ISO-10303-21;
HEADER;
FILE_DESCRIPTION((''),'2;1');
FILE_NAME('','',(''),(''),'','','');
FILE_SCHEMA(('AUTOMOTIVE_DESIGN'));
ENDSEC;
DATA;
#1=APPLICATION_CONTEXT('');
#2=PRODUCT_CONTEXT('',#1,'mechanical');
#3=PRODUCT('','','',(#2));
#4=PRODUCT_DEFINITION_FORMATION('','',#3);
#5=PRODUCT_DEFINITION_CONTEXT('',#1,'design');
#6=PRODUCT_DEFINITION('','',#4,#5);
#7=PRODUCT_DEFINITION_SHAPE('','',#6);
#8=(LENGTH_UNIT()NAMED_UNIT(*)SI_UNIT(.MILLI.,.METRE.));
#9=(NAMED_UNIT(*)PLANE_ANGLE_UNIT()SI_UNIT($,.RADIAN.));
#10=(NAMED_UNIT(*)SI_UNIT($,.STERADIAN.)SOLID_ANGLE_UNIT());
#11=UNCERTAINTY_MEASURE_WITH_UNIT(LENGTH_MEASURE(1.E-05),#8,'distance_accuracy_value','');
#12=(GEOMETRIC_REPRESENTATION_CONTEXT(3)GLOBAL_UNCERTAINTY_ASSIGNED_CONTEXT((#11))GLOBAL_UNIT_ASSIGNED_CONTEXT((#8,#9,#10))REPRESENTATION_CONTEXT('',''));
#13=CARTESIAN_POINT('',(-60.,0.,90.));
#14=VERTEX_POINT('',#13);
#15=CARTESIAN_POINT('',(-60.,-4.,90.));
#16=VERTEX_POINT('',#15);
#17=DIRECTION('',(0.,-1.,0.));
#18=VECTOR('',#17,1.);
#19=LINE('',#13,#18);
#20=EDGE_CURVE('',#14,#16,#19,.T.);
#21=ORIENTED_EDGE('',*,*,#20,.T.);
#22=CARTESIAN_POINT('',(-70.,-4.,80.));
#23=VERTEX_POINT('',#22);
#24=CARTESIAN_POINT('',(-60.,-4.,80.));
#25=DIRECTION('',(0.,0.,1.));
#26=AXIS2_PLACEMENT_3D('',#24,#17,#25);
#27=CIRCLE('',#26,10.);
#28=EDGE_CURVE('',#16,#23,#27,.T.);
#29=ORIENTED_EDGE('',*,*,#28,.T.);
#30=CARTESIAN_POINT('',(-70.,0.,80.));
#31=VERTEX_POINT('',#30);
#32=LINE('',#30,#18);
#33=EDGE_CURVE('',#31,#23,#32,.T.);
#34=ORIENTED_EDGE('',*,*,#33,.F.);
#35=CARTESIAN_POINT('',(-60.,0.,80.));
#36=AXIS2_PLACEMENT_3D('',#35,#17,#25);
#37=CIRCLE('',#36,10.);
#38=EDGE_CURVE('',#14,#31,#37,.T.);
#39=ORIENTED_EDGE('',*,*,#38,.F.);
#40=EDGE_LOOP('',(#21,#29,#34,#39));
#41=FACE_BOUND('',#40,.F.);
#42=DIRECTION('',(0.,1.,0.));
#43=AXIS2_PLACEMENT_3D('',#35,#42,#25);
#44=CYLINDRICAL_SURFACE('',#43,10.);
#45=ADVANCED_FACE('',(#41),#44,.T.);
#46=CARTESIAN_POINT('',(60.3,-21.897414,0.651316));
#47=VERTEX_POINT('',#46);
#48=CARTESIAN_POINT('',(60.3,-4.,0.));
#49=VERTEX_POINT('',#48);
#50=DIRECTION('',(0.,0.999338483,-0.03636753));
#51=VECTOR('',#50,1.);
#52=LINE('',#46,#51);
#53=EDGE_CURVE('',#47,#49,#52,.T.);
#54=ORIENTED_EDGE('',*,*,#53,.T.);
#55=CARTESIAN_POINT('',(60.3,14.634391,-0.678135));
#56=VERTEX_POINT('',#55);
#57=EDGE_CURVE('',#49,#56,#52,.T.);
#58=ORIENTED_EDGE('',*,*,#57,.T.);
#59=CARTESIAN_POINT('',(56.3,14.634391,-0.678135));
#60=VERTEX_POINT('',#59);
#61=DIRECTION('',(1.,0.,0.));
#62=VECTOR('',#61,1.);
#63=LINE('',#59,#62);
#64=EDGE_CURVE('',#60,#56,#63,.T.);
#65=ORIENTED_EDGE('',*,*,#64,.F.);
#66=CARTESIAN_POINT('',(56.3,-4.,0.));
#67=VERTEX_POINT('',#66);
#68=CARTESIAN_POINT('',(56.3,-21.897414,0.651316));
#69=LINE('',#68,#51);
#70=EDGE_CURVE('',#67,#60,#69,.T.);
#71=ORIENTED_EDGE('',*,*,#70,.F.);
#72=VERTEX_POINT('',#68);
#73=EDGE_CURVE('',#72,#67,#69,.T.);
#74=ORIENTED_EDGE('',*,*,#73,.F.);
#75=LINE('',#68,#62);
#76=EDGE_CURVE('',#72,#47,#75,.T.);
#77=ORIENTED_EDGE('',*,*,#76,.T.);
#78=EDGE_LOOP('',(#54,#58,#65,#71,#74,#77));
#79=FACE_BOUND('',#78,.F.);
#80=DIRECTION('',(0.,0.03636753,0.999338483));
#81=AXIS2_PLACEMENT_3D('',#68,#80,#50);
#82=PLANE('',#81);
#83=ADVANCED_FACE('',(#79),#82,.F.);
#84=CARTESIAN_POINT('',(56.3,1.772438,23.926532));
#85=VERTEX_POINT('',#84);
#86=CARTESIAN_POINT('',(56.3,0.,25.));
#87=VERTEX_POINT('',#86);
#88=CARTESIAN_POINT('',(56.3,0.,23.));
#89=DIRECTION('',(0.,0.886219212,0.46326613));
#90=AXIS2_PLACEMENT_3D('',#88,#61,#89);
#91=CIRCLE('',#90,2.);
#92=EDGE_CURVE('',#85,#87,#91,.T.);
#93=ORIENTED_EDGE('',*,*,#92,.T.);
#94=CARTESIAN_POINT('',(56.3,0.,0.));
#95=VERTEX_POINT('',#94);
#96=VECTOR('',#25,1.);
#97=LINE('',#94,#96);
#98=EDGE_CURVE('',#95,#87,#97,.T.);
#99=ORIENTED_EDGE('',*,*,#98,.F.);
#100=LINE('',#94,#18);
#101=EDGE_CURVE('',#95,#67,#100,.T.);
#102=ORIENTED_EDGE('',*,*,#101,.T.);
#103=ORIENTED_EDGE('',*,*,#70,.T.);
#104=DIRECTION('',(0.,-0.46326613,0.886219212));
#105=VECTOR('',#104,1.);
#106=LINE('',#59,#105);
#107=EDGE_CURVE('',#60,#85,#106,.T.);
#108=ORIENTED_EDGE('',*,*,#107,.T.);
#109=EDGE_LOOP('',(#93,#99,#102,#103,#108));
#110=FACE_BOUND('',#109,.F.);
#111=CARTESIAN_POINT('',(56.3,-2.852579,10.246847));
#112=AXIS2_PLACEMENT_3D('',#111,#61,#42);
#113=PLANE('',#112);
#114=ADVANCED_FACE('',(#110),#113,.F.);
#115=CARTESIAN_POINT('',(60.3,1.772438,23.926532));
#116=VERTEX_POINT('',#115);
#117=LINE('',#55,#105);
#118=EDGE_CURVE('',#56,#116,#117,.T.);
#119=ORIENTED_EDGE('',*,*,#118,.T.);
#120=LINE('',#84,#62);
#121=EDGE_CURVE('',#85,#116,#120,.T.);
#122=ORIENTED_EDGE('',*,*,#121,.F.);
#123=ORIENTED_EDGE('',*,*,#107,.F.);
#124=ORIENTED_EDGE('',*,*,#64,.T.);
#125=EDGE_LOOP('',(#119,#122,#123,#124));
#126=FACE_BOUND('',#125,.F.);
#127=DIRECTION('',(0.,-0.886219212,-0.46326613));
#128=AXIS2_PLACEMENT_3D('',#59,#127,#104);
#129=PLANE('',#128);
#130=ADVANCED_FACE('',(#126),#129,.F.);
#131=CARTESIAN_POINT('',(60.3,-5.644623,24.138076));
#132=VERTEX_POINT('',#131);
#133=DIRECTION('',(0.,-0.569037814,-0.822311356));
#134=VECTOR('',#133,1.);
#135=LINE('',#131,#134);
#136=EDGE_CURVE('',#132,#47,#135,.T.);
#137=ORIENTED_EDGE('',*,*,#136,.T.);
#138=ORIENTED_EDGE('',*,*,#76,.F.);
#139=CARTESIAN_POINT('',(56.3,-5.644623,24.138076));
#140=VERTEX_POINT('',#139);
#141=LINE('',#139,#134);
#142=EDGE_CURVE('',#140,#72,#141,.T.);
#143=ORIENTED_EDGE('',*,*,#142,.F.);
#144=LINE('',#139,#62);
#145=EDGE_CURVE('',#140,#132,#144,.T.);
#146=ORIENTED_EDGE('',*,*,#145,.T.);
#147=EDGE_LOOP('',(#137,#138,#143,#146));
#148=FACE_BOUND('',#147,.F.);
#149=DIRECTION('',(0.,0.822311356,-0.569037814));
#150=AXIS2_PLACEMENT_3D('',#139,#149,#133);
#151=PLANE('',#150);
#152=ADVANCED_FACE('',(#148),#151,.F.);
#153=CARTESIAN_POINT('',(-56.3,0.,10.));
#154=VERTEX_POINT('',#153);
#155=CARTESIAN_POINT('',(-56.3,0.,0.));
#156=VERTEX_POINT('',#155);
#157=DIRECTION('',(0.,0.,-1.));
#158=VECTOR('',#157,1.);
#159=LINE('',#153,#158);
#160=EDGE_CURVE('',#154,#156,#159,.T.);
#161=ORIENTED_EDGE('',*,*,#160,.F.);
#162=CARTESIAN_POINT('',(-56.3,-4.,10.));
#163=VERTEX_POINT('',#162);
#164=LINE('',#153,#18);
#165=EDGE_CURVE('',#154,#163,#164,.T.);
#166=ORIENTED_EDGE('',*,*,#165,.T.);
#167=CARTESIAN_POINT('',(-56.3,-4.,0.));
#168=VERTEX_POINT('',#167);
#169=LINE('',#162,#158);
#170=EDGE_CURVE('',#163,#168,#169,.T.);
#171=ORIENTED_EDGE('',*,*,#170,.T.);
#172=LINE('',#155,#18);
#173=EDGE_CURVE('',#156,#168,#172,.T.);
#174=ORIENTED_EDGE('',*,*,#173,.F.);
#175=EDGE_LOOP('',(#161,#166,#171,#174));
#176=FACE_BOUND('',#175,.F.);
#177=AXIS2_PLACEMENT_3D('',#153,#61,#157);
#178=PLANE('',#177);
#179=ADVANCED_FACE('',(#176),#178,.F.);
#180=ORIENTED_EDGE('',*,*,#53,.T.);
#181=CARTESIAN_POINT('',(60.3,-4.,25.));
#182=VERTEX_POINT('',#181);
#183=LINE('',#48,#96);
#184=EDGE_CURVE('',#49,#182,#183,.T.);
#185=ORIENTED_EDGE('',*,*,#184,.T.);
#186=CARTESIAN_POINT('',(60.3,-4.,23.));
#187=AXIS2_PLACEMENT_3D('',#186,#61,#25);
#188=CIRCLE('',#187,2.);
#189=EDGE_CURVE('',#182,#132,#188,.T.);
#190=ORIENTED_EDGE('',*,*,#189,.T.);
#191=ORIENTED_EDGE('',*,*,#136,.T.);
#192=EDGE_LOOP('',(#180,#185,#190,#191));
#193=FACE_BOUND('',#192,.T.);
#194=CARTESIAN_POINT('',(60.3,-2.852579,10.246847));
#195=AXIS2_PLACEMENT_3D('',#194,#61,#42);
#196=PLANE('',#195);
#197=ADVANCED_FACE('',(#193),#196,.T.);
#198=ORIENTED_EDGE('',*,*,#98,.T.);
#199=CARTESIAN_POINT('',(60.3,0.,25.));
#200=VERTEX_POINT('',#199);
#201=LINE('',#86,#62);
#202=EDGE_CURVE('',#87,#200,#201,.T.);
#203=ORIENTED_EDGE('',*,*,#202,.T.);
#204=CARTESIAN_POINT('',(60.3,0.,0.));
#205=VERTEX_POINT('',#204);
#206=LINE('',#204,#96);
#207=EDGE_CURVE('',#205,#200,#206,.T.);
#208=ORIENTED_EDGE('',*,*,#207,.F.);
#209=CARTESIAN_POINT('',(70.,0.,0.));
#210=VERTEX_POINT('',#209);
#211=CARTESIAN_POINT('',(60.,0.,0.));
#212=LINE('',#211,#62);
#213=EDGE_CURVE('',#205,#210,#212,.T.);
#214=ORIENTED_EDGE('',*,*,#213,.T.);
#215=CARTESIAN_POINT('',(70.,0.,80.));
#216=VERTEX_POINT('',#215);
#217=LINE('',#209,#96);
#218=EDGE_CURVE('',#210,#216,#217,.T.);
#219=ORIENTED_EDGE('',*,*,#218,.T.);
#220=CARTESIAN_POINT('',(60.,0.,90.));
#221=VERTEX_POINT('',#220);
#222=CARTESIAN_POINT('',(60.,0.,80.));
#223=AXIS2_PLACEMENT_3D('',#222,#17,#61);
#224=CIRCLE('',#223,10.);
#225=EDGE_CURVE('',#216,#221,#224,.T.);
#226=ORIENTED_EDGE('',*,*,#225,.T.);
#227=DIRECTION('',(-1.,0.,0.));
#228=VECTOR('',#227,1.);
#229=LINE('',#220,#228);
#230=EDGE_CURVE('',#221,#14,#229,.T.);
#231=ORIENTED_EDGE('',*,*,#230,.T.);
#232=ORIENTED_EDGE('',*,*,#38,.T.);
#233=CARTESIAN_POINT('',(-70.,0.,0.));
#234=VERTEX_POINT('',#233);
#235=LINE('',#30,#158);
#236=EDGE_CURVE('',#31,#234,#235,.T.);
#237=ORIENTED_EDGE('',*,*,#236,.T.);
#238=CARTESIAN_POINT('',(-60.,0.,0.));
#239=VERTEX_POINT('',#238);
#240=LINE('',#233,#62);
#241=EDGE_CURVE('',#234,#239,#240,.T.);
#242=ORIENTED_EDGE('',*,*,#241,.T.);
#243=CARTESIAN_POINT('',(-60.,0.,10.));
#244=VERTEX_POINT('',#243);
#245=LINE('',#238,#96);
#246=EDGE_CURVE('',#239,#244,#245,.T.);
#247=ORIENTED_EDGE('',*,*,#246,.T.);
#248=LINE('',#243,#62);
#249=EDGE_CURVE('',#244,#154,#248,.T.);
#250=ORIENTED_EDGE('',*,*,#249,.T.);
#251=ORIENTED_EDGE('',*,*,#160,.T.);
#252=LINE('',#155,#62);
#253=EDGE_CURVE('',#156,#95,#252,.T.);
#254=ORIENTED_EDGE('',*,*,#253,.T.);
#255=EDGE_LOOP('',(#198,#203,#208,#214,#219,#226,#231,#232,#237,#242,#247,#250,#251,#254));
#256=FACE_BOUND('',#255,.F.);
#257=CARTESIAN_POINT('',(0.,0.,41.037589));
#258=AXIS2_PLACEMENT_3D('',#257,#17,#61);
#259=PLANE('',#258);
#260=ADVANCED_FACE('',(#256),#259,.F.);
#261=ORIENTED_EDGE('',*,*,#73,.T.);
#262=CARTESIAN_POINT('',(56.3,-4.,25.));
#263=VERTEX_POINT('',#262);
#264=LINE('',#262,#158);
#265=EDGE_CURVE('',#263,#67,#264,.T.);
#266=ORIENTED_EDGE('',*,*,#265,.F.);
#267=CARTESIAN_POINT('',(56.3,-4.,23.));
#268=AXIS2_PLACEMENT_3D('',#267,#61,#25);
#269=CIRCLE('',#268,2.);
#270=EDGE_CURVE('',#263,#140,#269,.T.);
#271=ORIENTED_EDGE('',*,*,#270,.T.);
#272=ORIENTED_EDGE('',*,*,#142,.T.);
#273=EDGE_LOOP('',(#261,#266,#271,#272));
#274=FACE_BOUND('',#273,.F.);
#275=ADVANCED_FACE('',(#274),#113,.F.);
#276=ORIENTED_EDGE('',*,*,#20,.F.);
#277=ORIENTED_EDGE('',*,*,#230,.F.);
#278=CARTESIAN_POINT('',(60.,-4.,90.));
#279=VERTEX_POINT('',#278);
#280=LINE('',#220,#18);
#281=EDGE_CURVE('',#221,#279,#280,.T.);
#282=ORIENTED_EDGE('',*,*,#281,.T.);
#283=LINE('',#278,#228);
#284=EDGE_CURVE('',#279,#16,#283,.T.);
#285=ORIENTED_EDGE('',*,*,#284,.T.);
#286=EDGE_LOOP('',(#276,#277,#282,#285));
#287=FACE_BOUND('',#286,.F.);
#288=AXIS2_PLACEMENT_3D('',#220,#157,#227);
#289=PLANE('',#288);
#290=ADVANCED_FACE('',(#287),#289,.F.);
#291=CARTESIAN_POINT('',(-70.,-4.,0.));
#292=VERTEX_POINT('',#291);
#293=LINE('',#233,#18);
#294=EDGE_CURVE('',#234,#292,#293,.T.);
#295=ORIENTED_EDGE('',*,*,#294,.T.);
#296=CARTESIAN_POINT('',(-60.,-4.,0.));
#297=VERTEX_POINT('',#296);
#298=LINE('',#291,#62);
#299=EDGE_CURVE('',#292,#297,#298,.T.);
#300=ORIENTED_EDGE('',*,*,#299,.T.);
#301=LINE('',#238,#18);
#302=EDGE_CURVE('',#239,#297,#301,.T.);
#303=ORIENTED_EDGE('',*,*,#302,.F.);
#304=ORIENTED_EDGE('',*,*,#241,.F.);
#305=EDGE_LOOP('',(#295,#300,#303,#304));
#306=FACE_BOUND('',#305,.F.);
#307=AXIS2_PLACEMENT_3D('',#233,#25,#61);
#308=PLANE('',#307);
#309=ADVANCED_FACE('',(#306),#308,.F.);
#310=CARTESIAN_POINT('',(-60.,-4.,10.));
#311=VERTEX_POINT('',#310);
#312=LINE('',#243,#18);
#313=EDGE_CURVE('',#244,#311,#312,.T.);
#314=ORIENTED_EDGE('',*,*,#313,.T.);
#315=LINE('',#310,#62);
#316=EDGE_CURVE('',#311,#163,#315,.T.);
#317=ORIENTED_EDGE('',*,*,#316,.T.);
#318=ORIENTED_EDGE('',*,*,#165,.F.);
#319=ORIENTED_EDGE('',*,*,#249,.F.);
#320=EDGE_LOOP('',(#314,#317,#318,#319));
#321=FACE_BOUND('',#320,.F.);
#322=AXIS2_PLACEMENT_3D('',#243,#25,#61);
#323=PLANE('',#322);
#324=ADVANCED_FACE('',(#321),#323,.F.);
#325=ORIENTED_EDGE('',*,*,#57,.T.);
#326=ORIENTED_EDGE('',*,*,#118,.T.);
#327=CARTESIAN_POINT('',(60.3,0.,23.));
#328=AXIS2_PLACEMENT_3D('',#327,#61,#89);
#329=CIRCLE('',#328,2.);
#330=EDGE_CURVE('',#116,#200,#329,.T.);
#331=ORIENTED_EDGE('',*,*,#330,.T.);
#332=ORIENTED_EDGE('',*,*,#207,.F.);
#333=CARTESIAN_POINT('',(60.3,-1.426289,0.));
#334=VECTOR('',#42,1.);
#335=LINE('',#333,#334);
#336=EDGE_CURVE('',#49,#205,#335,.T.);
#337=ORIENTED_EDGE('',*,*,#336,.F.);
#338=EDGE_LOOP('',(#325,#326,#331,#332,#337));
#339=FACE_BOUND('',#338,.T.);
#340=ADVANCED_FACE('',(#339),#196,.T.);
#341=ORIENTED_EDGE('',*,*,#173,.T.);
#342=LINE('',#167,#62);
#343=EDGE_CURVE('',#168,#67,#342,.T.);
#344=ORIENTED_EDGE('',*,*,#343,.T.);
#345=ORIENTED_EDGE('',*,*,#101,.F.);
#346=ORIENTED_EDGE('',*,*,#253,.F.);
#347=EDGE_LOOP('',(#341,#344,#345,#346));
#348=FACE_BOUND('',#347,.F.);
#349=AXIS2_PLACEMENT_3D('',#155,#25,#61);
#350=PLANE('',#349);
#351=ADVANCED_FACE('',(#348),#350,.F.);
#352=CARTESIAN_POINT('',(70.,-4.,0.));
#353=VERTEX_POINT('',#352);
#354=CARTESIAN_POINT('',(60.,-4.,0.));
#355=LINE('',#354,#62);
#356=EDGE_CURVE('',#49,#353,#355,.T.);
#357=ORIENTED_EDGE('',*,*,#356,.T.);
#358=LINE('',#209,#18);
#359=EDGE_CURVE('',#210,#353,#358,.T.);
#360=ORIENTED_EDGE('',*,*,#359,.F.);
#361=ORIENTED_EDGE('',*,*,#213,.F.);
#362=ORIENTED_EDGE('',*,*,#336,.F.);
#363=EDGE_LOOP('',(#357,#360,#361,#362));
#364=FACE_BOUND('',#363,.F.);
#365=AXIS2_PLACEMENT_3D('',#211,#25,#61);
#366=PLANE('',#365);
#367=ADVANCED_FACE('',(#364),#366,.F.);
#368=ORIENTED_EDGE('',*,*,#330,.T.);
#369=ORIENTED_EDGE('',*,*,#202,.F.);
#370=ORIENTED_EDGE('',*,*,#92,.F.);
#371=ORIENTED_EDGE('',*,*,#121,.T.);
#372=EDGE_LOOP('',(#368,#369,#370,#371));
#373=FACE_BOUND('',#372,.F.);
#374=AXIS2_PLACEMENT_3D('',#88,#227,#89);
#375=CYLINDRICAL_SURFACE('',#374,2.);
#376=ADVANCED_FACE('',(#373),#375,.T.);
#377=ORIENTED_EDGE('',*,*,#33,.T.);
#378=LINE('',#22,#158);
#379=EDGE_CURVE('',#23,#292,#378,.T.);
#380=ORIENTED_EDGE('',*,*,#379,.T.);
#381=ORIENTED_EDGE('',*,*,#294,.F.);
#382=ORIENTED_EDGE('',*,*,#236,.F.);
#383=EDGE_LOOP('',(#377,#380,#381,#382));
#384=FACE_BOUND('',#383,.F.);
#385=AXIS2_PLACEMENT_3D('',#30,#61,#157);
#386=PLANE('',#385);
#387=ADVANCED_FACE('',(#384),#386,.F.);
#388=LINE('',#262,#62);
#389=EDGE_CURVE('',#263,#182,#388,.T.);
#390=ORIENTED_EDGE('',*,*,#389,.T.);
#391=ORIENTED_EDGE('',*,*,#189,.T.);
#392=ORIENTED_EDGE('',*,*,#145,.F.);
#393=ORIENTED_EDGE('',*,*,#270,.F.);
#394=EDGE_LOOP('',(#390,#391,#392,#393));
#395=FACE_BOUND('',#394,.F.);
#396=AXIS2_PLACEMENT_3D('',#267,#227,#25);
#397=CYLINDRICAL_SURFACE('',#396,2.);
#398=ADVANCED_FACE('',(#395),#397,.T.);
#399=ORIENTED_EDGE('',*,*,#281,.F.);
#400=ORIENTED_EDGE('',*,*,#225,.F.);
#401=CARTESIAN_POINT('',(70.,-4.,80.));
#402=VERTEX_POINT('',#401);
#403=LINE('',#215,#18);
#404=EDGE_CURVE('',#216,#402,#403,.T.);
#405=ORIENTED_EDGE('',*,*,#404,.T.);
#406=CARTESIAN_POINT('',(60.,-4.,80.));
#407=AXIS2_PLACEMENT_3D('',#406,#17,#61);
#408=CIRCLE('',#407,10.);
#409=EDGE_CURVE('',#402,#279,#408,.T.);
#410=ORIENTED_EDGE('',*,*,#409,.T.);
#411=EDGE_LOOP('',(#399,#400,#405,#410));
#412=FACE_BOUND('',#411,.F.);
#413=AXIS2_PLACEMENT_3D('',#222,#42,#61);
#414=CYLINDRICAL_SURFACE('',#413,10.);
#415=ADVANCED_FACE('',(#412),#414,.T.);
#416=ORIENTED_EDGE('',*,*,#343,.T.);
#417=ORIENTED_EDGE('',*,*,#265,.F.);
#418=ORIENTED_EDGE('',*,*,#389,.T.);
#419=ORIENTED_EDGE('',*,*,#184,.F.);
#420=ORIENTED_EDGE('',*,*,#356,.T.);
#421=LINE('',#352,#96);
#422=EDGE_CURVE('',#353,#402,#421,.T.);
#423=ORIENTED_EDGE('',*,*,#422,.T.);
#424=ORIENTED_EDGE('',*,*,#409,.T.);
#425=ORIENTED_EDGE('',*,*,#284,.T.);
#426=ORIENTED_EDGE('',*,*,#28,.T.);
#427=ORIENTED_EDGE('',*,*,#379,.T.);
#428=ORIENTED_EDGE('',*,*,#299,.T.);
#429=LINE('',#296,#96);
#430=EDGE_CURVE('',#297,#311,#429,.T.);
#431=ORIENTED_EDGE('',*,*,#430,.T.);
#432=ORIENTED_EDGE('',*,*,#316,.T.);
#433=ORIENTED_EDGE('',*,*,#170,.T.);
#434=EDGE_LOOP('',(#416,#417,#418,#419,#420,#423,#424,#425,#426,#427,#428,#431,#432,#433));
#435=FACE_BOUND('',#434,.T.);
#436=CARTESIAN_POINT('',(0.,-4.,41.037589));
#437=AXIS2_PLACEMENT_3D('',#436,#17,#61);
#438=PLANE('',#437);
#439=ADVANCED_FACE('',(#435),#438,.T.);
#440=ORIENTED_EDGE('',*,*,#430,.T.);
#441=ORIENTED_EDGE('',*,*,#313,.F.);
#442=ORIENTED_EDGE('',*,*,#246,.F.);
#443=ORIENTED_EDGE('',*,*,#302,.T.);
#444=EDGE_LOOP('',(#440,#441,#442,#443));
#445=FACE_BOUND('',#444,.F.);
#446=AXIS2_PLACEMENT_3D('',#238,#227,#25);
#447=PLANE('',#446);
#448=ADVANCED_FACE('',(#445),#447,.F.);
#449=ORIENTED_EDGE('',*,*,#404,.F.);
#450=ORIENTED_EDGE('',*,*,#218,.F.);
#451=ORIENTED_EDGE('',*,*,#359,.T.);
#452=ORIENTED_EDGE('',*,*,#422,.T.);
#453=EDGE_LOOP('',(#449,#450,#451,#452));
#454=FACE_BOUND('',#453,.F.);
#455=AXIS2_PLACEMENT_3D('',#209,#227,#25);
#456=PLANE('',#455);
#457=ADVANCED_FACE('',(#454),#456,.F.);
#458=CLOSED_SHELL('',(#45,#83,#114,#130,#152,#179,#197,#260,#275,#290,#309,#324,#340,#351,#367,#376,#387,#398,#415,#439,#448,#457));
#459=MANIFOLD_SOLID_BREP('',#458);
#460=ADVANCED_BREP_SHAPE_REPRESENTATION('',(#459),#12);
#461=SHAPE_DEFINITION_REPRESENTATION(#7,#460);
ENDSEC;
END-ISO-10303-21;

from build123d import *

# Parameters (mm, degrees)
F1_DEPTH = 4
F3_DEPTH = 4


with BuildPart() as f1:
    # F0 (on Front) → F1 (new body)
    with BuildSketch(Plane.XZ):
        with BuildLine():
            Line((60, 90), (-60, 90))
            ThreePointArc((-60, 90), (-67.0710678119, 87.0710678119), (-70, 80))
            Line((-70, 80), (-70, 0))
            Line((-70, 0), (-60, 0))
            Line((-60, 0), (-60, 10))
            Line((-60, 10), (-56.3, 10))
            Line((-56.3, 10), (-56.3, 0))
            Line((-56.3, 0), (56.3, 0))
            Line((56.3, 0), (56.3, 10))
            Line((56.3, 10), (60, 10))
            Line((60, 10), (60, 0))
            Line((60, 0), (70, 0))
            Line((70, 0), (70, 80))
            ThreePointArc((70, 80), (67.0710678119, 87.0710678119), (60, 90))
        make_face()
    extrude(amount=F1_DEPTH)

    # F2 (on face) → F3 (join)
    with BuildSketch(Plane.YZ.offset(56.3)):
        with BuildLine():
            Line((0, 25), (0, 10))
            Line((0, 10), (-4, 10))
            Line((-4, 10), (-4, 25))
            ThreePointArc((-4, 25), (-4.9283988219, 24.7714614383), (-5.6446227124, 24.1380756275))
            Line((-5.6446227124, 24.1380756275), (-21.8974136828, 0.6513155869))
            Line((-21.8974136828, 0.6513155869), (14.6343906331, -0.67813536))
            Line((14.6343906331, -0.67813536), (1.7724384249, 23.9265322606))
            ThreePointArc((1.7724384249, 23.9265322606), (1.0360828825, 24.7107110395), (0, 25))
        make_face()
    extrude(amount=F3_DEPTH)


solid = f1.part
